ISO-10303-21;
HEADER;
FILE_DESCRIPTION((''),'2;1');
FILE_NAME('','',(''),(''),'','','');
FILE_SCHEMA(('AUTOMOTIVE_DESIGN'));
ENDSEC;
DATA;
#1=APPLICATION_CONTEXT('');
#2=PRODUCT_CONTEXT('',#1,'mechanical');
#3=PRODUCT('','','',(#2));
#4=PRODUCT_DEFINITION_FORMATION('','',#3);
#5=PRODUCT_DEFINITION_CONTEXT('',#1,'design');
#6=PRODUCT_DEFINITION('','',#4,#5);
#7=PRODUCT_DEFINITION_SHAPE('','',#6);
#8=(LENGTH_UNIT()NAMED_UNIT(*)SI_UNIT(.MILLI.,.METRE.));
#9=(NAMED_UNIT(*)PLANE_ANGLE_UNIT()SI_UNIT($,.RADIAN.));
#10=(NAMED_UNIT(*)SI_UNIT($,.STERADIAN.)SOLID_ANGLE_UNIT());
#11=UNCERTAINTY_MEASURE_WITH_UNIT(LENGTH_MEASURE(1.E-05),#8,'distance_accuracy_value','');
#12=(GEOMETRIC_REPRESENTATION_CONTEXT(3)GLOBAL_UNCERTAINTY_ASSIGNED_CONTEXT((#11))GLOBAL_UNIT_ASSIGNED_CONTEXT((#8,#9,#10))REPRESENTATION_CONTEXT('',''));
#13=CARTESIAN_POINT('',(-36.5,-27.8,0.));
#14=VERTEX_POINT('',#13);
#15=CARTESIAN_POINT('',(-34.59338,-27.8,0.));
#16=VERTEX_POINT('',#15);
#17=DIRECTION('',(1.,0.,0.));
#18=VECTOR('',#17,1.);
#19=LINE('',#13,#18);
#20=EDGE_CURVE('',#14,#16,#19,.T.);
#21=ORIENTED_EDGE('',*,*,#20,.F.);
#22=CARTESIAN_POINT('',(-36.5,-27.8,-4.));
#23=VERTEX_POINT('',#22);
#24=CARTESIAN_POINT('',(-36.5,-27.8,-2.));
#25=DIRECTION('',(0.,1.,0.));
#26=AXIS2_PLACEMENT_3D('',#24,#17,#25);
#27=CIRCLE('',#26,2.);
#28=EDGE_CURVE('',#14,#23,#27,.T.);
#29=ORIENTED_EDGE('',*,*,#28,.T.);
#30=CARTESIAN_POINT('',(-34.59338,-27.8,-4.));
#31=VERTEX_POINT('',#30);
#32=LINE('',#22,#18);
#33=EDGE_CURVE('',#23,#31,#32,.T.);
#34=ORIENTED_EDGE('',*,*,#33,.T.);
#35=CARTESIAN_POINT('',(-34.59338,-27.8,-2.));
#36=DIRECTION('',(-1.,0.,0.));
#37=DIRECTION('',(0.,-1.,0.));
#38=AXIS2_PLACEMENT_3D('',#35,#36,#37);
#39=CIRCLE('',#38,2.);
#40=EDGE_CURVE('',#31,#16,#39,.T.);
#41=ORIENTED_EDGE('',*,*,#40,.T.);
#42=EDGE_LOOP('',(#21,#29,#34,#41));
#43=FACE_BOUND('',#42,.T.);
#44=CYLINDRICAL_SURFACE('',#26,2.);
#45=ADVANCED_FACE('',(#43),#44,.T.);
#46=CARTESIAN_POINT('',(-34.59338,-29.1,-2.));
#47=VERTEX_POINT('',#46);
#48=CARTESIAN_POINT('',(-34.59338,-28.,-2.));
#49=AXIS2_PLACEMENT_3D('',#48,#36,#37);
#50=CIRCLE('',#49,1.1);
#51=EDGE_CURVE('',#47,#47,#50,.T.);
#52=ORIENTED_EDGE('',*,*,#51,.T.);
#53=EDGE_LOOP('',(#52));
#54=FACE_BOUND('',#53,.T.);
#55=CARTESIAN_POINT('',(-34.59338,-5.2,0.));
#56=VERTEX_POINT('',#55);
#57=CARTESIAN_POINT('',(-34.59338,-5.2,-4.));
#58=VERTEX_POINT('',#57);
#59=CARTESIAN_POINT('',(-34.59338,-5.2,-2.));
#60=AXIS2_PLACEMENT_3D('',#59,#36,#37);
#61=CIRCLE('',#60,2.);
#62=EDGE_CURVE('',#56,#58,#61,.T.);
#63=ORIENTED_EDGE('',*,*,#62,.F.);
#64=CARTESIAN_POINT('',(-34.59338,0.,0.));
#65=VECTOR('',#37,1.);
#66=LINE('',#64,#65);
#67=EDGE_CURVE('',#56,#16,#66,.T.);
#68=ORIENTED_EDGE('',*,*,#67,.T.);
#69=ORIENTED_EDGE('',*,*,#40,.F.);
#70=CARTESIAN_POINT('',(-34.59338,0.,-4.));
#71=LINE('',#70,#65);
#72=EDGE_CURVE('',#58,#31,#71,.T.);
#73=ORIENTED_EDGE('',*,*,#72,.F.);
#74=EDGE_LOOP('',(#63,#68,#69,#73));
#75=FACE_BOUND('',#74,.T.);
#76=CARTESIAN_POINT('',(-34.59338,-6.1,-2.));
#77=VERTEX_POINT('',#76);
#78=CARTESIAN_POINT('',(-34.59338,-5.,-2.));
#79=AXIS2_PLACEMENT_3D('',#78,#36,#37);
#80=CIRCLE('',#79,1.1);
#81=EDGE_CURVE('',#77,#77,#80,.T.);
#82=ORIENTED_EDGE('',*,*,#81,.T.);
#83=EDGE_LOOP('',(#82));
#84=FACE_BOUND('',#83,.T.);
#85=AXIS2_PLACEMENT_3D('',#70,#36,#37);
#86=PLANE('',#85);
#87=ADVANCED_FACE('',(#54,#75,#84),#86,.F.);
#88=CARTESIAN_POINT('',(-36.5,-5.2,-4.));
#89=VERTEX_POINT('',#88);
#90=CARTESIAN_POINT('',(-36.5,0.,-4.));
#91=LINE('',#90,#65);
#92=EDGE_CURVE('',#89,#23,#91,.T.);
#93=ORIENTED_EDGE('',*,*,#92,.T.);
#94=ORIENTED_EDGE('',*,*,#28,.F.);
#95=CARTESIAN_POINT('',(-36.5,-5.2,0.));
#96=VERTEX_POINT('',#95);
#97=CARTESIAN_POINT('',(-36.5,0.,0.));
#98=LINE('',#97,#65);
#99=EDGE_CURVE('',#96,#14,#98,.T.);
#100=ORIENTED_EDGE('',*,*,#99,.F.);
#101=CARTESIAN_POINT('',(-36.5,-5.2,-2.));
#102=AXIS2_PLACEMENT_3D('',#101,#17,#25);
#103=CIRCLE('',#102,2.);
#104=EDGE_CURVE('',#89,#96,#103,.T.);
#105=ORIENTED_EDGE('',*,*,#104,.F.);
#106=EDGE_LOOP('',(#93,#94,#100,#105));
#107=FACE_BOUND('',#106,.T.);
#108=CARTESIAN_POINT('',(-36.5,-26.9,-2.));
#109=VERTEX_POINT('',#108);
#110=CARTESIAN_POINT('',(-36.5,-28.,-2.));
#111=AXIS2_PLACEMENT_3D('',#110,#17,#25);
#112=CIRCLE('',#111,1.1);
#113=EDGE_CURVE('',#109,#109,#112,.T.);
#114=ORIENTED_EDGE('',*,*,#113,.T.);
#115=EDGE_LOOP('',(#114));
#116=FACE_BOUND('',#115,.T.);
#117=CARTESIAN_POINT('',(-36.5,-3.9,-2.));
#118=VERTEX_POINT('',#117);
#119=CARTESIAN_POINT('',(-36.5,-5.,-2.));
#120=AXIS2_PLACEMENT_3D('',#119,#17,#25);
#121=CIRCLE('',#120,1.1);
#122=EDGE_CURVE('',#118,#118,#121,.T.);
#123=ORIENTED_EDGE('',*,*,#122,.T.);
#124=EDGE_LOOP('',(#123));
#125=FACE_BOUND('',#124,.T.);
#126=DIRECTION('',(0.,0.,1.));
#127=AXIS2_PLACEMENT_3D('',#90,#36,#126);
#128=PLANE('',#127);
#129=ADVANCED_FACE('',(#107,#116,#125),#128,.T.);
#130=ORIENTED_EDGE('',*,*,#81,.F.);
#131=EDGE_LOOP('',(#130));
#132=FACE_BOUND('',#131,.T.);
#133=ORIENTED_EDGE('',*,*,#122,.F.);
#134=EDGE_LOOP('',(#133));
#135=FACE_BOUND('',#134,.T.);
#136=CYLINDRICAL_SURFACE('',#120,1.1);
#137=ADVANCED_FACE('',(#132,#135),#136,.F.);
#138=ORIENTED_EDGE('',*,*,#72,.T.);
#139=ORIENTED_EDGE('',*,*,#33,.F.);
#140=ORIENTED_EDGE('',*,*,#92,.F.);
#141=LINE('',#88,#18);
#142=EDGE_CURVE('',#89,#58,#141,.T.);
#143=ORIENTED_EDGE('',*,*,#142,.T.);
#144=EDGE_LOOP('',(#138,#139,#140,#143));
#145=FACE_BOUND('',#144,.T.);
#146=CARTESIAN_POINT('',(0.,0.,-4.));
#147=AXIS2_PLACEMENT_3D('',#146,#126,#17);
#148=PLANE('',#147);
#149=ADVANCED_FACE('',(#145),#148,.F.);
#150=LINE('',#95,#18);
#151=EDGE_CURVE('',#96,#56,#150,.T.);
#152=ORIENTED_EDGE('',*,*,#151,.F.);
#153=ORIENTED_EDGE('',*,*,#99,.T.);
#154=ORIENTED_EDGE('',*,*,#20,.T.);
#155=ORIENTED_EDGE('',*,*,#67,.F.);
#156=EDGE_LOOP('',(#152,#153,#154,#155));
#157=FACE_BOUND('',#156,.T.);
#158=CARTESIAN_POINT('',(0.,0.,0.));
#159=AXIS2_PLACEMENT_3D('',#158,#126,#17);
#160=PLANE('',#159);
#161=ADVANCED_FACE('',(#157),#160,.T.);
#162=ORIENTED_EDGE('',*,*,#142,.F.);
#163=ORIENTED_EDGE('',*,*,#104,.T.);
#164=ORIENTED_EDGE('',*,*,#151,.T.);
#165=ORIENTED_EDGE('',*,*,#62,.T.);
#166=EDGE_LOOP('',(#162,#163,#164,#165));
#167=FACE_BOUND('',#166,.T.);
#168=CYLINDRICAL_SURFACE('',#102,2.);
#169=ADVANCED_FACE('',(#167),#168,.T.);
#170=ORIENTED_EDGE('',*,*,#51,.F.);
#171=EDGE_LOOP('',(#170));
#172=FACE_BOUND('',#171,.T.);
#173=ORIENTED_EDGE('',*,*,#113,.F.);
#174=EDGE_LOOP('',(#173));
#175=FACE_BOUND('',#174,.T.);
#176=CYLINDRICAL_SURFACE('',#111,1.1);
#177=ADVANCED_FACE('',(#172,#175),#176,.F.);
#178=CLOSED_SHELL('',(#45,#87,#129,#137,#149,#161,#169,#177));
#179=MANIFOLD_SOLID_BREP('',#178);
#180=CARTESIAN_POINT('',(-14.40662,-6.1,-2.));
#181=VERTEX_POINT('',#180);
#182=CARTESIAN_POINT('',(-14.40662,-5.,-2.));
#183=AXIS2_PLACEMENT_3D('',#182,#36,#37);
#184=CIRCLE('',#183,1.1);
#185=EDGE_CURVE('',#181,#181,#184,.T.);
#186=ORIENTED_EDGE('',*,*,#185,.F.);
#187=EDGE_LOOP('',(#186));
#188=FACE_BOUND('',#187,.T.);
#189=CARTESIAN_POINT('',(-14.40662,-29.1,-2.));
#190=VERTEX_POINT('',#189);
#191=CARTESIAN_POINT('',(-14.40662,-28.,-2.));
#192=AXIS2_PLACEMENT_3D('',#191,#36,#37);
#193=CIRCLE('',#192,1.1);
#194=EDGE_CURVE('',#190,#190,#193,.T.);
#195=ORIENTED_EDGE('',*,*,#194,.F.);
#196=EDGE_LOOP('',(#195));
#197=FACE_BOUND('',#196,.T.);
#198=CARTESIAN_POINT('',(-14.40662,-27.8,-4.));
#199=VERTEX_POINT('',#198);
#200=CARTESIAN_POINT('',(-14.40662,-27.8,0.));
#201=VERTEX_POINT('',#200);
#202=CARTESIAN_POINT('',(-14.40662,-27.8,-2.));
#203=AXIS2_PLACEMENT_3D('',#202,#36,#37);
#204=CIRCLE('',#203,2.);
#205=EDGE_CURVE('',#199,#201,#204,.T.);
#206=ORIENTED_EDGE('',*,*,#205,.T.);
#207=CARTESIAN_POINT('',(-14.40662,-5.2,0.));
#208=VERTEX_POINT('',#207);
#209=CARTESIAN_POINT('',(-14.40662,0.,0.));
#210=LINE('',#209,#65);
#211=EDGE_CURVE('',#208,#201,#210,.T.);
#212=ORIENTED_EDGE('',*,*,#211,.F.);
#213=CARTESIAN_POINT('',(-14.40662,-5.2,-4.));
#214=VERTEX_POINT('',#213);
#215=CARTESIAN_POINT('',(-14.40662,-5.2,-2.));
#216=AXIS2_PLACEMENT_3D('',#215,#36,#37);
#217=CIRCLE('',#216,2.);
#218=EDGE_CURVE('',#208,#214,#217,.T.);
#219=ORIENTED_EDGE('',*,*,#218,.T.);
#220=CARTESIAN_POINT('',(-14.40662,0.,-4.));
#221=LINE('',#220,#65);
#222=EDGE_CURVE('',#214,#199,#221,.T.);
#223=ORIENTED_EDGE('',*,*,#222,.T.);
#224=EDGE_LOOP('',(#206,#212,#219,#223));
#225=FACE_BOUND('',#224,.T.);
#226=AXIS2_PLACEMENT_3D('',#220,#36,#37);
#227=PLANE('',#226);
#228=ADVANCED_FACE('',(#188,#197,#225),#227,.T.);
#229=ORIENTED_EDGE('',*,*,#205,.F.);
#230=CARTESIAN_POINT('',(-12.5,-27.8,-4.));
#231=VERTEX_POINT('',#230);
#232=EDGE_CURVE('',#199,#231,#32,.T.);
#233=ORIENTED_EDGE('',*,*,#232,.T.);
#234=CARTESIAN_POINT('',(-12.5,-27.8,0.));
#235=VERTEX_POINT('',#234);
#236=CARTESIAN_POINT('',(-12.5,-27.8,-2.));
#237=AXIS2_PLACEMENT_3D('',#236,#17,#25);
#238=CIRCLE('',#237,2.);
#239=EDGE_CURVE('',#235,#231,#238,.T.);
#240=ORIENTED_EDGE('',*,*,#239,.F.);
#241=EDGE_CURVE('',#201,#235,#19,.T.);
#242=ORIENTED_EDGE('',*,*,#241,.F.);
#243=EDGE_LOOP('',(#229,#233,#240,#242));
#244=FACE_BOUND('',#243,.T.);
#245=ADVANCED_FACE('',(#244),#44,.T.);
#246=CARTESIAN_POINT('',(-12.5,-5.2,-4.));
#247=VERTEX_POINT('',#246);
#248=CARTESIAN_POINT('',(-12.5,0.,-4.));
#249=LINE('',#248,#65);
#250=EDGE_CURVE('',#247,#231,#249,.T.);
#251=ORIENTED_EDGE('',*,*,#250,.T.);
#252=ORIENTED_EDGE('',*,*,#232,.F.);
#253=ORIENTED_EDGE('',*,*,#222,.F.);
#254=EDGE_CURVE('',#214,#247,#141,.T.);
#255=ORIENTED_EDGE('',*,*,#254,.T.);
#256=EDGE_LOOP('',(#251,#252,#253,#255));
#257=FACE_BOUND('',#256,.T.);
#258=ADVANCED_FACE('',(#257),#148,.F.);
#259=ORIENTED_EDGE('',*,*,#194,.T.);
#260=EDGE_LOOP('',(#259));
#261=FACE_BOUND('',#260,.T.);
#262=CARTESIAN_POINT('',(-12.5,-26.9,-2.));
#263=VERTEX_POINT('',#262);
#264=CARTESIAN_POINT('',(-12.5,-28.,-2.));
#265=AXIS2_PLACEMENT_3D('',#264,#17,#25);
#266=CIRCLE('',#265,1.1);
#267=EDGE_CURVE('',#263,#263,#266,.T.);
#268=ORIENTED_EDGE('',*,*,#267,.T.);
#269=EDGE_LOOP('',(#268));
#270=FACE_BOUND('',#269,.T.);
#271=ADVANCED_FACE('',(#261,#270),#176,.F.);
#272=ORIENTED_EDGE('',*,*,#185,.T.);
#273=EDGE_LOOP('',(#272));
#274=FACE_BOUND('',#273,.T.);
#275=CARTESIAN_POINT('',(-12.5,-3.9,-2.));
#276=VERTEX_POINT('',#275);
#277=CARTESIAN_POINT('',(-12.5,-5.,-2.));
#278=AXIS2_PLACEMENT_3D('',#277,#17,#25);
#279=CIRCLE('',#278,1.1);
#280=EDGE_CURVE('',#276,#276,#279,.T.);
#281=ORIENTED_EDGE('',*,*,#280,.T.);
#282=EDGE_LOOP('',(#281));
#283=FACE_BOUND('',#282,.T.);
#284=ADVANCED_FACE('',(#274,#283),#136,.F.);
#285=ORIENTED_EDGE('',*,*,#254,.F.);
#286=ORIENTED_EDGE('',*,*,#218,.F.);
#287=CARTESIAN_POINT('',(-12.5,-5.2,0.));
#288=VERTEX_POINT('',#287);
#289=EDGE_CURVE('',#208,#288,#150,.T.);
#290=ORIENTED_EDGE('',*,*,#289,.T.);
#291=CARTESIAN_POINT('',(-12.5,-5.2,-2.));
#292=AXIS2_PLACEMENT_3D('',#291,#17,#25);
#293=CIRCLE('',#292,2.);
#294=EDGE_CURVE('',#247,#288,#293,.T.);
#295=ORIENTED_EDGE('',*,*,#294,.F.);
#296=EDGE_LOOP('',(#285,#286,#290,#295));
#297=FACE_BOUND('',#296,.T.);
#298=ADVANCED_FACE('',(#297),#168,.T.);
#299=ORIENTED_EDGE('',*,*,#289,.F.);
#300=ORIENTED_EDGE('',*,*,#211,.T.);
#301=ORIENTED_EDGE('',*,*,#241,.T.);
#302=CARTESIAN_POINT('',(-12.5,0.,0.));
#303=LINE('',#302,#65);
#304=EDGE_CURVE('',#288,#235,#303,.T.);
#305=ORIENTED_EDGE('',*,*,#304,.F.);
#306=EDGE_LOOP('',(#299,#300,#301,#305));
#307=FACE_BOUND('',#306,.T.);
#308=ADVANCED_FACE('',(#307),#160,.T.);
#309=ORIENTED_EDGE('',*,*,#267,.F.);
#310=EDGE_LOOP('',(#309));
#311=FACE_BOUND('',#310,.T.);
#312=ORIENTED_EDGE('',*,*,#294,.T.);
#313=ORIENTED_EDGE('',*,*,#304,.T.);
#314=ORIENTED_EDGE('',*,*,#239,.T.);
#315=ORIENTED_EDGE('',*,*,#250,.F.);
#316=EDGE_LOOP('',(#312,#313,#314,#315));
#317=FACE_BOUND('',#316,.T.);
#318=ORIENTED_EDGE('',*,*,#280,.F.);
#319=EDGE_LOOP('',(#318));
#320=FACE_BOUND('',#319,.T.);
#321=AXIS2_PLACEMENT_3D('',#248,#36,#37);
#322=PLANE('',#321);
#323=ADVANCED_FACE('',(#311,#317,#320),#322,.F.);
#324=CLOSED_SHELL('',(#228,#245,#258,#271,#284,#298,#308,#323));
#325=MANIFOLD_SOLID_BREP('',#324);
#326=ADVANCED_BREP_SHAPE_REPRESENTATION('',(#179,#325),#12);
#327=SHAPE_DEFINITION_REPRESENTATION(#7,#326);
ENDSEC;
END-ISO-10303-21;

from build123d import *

# Parameters (mm, degrees)
SKETCH_1_W          = 1.906620372
SKETCH_1_H          = 27
EXTRUDE_1_DEPTH     = 4
EXTRUDE_1_2_DEPTH   = 4
SKETCH_2_R          = 1.1
CUT_EXTRUDE_6_DEPTH = 25


with BuildPart() as part:
    # 草图1 → 凸台-拉伸1 (new body)
    with BuildSketch(Plane.XY):
        with Locations((-13.453310186, -16.5)):
            Rectangle(SKETCH_1_W, SKETCH_1_H)
    extrude(amount=-EXTRUDE_1_DEPTH)


with BuildPart() as body_2:
    # 草图1 → Extrude 1 2 (new body)
    with BuildSketch(Plane.XY):
        with Locations((-35.546689814, -16.5)):
            Rectangle(SKETCH_1_W, SKETCH_1_H)
    extrude(amount=-EXTRUDE_1_2_DEPTH)


with BuildPart() as cut_extrude_6_tool:
    # 草图2 → 切除-拉伸6 (new body, through all)
    with BuildSketch(Plane(origin=(-12.5, 0, 0), x_dir=(0, 0, -1), z_dir=(1, 0, 0))):
        with BuildLine():
            Line((4, -3), (0, -3))
            Line((0, -3), (0, -5.2))
            ThreePointArc((0, -5.2), (2, -3.2), (4, -5.2))
            Line((4, -5.2), (4, -3))
        make_face()
        with BuildLine():
            ThreePointArc((4, -27.8), (1.999999998, -29.8), (0, -27.799999995))
            Line((0, -27.799999995), (0, -30))
            Line((0, -30), (4, -30))
            Line((4, -30), (4, -27.8))
        make_face()
        with Locations((2, -28)):
            Circle(SKETCH_2_R)
        with Locations((2, -5)):
            Circle(SKETCH_2_R)
    extrude(amount=-CUT_EXTRUDE_6_DEPTH)


with BuildPart() as part_1:
    add(part.part)

    # 切除-拉伸6: cut by cut_extrude_6_tool
    add(cut_extrude_6_tool.part, mode=Mode.SUBTRACT)


with BuildPart() as body_2_1:
    add(body_2.part)

    # 切除-拉伸6: cut by cut_extrude_6_tool
    add(cut_extrude_6_tool.part, mode=Mode.SUBTRACT)


solid = Compound([part_1.part, body_2_1.part])
